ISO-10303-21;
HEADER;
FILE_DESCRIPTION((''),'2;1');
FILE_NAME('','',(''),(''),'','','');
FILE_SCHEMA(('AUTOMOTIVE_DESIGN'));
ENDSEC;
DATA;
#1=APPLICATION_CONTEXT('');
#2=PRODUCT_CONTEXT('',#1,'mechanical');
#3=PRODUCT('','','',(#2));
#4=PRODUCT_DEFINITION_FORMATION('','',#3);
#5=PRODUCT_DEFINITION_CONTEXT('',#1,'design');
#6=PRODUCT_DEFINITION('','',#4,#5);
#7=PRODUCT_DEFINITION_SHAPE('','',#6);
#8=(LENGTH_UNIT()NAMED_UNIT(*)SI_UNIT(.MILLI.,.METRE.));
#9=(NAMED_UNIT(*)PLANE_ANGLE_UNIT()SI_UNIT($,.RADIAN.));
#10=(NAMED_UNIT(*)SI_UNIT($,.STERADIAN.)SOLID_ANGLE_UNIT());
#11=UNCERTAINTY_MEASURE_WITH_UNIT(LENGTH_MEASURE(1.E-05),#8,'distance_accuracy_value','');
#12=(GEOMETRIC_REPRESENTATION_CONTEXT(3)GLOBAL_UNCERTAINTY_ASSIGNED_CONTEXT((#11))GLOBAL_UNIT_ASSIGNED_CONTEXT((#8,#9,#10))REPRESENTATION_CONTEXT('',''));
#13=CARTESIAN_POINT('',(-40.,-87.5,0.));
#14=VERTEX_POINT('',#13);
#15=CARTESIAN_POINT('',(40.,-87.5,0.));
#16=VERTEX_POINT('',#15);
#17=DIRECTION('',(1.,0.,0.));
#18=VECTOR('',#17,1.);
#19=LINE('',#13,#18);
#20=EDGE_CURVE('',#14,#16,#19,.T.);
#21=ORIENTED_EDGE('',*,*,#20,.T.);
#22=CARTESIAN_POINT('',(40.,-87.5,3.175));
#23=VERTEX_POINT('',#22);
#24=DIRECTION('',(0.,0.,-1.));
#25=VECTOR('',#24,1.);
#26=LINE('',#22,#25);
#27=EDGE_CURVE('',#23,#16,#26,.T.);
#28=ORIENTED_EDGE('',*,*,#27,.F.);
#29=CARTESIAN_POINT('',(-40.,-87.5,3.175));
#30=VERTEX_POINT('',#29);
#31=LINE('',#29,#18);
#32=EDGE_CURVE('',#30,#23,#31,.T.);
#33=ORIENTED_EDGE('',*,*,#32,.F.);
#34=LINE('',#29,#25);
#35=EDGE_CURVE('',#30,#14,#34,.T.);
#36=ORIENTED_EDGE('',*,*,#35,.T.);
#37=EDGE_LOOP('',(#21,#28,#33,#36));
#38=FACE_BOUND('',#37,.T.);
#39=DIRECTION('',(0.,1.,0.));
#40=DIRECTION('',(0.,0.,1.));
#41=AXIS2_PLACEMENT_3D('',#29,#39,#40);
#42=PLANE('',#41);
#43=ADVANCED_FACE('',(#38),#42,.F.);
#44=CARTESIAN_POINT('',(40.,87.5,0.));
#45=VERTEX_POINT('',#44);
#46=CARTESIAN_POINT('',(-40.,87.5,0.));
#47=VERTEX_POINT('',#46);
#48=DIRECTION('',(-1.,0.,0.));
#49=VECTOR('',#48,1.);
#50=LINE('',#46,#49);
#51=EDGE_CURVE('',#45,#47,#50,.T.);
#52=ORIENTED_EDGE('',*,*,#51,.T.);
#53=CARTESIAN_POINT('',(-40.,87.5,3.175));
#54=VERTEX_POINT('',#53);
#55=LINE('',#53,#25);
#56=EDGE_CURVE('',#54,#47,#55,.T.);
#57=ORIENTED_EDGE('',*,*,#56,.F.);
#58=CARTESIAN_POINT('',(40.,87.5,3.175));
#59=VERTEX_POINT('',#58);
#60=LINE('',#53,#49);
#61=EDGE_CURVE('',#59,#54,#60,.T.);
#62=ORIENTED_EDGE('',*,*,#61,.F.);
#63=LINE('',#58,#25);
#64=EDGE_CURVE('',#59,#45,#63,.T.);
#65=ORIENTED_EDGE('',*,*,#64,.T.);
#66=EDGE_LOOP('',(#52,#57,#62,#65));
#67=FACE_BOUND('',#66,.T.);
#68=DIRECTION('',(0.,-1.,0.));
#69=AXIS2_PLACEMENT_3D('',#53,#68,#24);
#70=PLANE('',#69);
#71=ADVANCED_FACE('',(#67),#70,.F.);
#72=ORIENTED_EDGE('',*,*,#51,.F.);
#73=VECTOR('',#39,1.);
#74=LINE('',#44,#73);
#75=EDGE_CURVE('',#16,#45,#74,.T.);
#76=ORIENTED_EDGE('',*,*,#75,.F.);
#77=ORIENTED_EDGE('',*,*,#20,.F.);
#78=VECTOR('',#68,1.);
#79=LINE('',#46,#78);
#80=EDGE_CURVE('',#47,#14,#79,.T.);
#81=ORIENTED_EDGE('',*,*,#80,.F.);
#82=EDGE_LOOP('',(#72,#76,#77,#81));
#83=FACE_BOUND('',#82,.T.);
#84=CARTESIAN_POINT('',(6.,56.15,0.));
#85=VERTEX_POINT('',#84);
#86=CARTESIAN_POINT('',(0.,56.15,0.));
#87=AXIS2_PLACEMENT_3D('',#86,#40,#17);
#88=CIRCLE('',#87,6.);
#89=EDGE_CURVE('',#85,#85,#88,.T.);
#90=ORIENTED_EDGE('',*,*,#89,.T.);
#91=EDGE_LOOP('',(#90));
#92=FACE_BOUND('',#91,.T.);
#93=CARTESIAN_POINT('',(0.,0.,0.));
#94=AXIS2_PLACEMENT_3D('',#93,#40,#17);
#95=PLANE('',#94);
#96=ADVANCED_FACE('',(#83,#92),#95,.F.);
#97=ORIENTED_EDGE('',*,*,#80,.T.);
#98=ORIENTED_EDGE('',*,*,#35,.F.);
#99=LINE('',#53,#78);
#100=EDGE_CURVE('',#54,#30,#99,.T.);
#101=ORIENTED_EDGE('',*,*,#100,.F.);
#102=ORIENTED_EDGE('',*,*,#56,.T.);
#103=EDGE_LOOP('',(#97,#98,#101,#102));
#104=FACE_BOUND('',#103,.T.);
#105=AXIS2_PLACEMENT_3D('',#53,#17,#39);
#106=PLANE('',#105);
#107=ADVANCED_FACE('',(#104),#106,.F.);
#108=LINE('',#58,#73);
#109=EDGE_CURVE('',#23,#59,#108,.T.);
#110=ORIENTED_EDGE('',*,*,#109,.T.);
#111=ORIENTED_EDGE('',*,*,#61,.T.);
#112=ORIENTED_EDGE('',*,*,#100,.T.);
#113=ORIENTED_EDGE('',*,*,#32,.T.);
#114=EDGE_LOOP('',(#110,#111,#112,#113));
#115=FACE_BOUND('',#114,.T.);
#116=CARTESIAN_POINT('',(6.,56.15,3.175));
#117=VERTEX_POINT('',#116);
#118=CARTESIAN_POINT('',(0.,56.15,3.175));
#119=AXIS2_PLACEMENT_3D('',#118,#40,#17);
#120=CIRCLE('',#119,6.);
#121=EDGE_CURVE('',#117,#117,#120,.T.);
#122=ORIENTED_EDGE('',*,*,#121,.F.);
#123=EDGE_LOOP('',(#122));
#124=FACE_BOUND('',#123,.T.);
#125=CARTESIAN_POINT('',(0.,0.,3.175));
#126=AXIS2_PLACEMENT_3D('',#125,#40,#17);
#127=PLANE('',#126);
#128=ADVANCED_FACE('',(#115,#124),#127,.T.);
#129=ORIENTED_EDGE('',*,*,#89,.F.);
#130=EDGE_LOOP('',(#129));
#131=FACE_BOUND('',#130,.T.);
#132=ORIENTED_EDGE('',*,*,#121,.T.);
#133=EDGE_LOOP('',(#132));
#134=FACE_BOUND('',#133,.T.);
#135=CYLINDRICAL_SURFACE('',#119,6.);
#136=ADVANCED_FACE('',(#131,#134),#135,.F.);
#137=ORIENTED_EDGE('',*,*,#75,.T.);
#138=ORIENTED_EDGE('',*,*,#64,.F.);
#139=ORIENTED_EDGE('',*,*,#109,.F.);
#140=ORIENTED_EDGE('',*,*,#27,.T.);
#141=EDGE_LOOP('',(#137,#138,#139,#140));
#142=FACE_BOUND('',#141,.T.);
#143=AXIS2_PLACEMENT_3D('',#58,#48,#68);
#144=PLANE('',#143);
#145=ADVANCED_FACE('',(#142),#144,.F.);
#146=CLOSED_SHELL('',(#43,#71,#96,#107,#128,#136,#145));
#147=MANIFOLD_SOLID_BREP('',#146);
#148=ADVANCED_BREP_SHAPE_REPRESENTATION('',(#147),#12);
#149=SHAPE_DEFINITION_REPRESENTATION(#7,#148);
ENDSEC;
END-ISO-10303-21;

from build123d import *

# Parameters (mm, degrees)
SKETCH1_W                  = 80
SKETCH1_H                  = 175
BOSS_EXTRUDE1_DEPTH        = 3.175
F_12_0MM_DOWEL_HOLE1_D     = 12
F_12_0MM_DOWEL_HOLE1_DEPTH = 3.175


with BuildPart() as part:
    # Sketch1 → Boss-Extrude1 (new body)
    with BuildSketch(Plane.XY):
        Rectangle(SKETCH1_W, SKETCH1_H)
    extrude(amount=BOSS_EXTRUDE1_DEPTH)

    # Ø12.0mm Dowel Hole1
    with Locations(Plane.XY.offset(3.175)):
        with Locations((0, 56.15)):
            Hole(F_12_0MM_DOWEL_HOLE1_D / 2, depth=F_12_0MM_DOWEL_HOLE1_DEPTH)


solid = part.part
